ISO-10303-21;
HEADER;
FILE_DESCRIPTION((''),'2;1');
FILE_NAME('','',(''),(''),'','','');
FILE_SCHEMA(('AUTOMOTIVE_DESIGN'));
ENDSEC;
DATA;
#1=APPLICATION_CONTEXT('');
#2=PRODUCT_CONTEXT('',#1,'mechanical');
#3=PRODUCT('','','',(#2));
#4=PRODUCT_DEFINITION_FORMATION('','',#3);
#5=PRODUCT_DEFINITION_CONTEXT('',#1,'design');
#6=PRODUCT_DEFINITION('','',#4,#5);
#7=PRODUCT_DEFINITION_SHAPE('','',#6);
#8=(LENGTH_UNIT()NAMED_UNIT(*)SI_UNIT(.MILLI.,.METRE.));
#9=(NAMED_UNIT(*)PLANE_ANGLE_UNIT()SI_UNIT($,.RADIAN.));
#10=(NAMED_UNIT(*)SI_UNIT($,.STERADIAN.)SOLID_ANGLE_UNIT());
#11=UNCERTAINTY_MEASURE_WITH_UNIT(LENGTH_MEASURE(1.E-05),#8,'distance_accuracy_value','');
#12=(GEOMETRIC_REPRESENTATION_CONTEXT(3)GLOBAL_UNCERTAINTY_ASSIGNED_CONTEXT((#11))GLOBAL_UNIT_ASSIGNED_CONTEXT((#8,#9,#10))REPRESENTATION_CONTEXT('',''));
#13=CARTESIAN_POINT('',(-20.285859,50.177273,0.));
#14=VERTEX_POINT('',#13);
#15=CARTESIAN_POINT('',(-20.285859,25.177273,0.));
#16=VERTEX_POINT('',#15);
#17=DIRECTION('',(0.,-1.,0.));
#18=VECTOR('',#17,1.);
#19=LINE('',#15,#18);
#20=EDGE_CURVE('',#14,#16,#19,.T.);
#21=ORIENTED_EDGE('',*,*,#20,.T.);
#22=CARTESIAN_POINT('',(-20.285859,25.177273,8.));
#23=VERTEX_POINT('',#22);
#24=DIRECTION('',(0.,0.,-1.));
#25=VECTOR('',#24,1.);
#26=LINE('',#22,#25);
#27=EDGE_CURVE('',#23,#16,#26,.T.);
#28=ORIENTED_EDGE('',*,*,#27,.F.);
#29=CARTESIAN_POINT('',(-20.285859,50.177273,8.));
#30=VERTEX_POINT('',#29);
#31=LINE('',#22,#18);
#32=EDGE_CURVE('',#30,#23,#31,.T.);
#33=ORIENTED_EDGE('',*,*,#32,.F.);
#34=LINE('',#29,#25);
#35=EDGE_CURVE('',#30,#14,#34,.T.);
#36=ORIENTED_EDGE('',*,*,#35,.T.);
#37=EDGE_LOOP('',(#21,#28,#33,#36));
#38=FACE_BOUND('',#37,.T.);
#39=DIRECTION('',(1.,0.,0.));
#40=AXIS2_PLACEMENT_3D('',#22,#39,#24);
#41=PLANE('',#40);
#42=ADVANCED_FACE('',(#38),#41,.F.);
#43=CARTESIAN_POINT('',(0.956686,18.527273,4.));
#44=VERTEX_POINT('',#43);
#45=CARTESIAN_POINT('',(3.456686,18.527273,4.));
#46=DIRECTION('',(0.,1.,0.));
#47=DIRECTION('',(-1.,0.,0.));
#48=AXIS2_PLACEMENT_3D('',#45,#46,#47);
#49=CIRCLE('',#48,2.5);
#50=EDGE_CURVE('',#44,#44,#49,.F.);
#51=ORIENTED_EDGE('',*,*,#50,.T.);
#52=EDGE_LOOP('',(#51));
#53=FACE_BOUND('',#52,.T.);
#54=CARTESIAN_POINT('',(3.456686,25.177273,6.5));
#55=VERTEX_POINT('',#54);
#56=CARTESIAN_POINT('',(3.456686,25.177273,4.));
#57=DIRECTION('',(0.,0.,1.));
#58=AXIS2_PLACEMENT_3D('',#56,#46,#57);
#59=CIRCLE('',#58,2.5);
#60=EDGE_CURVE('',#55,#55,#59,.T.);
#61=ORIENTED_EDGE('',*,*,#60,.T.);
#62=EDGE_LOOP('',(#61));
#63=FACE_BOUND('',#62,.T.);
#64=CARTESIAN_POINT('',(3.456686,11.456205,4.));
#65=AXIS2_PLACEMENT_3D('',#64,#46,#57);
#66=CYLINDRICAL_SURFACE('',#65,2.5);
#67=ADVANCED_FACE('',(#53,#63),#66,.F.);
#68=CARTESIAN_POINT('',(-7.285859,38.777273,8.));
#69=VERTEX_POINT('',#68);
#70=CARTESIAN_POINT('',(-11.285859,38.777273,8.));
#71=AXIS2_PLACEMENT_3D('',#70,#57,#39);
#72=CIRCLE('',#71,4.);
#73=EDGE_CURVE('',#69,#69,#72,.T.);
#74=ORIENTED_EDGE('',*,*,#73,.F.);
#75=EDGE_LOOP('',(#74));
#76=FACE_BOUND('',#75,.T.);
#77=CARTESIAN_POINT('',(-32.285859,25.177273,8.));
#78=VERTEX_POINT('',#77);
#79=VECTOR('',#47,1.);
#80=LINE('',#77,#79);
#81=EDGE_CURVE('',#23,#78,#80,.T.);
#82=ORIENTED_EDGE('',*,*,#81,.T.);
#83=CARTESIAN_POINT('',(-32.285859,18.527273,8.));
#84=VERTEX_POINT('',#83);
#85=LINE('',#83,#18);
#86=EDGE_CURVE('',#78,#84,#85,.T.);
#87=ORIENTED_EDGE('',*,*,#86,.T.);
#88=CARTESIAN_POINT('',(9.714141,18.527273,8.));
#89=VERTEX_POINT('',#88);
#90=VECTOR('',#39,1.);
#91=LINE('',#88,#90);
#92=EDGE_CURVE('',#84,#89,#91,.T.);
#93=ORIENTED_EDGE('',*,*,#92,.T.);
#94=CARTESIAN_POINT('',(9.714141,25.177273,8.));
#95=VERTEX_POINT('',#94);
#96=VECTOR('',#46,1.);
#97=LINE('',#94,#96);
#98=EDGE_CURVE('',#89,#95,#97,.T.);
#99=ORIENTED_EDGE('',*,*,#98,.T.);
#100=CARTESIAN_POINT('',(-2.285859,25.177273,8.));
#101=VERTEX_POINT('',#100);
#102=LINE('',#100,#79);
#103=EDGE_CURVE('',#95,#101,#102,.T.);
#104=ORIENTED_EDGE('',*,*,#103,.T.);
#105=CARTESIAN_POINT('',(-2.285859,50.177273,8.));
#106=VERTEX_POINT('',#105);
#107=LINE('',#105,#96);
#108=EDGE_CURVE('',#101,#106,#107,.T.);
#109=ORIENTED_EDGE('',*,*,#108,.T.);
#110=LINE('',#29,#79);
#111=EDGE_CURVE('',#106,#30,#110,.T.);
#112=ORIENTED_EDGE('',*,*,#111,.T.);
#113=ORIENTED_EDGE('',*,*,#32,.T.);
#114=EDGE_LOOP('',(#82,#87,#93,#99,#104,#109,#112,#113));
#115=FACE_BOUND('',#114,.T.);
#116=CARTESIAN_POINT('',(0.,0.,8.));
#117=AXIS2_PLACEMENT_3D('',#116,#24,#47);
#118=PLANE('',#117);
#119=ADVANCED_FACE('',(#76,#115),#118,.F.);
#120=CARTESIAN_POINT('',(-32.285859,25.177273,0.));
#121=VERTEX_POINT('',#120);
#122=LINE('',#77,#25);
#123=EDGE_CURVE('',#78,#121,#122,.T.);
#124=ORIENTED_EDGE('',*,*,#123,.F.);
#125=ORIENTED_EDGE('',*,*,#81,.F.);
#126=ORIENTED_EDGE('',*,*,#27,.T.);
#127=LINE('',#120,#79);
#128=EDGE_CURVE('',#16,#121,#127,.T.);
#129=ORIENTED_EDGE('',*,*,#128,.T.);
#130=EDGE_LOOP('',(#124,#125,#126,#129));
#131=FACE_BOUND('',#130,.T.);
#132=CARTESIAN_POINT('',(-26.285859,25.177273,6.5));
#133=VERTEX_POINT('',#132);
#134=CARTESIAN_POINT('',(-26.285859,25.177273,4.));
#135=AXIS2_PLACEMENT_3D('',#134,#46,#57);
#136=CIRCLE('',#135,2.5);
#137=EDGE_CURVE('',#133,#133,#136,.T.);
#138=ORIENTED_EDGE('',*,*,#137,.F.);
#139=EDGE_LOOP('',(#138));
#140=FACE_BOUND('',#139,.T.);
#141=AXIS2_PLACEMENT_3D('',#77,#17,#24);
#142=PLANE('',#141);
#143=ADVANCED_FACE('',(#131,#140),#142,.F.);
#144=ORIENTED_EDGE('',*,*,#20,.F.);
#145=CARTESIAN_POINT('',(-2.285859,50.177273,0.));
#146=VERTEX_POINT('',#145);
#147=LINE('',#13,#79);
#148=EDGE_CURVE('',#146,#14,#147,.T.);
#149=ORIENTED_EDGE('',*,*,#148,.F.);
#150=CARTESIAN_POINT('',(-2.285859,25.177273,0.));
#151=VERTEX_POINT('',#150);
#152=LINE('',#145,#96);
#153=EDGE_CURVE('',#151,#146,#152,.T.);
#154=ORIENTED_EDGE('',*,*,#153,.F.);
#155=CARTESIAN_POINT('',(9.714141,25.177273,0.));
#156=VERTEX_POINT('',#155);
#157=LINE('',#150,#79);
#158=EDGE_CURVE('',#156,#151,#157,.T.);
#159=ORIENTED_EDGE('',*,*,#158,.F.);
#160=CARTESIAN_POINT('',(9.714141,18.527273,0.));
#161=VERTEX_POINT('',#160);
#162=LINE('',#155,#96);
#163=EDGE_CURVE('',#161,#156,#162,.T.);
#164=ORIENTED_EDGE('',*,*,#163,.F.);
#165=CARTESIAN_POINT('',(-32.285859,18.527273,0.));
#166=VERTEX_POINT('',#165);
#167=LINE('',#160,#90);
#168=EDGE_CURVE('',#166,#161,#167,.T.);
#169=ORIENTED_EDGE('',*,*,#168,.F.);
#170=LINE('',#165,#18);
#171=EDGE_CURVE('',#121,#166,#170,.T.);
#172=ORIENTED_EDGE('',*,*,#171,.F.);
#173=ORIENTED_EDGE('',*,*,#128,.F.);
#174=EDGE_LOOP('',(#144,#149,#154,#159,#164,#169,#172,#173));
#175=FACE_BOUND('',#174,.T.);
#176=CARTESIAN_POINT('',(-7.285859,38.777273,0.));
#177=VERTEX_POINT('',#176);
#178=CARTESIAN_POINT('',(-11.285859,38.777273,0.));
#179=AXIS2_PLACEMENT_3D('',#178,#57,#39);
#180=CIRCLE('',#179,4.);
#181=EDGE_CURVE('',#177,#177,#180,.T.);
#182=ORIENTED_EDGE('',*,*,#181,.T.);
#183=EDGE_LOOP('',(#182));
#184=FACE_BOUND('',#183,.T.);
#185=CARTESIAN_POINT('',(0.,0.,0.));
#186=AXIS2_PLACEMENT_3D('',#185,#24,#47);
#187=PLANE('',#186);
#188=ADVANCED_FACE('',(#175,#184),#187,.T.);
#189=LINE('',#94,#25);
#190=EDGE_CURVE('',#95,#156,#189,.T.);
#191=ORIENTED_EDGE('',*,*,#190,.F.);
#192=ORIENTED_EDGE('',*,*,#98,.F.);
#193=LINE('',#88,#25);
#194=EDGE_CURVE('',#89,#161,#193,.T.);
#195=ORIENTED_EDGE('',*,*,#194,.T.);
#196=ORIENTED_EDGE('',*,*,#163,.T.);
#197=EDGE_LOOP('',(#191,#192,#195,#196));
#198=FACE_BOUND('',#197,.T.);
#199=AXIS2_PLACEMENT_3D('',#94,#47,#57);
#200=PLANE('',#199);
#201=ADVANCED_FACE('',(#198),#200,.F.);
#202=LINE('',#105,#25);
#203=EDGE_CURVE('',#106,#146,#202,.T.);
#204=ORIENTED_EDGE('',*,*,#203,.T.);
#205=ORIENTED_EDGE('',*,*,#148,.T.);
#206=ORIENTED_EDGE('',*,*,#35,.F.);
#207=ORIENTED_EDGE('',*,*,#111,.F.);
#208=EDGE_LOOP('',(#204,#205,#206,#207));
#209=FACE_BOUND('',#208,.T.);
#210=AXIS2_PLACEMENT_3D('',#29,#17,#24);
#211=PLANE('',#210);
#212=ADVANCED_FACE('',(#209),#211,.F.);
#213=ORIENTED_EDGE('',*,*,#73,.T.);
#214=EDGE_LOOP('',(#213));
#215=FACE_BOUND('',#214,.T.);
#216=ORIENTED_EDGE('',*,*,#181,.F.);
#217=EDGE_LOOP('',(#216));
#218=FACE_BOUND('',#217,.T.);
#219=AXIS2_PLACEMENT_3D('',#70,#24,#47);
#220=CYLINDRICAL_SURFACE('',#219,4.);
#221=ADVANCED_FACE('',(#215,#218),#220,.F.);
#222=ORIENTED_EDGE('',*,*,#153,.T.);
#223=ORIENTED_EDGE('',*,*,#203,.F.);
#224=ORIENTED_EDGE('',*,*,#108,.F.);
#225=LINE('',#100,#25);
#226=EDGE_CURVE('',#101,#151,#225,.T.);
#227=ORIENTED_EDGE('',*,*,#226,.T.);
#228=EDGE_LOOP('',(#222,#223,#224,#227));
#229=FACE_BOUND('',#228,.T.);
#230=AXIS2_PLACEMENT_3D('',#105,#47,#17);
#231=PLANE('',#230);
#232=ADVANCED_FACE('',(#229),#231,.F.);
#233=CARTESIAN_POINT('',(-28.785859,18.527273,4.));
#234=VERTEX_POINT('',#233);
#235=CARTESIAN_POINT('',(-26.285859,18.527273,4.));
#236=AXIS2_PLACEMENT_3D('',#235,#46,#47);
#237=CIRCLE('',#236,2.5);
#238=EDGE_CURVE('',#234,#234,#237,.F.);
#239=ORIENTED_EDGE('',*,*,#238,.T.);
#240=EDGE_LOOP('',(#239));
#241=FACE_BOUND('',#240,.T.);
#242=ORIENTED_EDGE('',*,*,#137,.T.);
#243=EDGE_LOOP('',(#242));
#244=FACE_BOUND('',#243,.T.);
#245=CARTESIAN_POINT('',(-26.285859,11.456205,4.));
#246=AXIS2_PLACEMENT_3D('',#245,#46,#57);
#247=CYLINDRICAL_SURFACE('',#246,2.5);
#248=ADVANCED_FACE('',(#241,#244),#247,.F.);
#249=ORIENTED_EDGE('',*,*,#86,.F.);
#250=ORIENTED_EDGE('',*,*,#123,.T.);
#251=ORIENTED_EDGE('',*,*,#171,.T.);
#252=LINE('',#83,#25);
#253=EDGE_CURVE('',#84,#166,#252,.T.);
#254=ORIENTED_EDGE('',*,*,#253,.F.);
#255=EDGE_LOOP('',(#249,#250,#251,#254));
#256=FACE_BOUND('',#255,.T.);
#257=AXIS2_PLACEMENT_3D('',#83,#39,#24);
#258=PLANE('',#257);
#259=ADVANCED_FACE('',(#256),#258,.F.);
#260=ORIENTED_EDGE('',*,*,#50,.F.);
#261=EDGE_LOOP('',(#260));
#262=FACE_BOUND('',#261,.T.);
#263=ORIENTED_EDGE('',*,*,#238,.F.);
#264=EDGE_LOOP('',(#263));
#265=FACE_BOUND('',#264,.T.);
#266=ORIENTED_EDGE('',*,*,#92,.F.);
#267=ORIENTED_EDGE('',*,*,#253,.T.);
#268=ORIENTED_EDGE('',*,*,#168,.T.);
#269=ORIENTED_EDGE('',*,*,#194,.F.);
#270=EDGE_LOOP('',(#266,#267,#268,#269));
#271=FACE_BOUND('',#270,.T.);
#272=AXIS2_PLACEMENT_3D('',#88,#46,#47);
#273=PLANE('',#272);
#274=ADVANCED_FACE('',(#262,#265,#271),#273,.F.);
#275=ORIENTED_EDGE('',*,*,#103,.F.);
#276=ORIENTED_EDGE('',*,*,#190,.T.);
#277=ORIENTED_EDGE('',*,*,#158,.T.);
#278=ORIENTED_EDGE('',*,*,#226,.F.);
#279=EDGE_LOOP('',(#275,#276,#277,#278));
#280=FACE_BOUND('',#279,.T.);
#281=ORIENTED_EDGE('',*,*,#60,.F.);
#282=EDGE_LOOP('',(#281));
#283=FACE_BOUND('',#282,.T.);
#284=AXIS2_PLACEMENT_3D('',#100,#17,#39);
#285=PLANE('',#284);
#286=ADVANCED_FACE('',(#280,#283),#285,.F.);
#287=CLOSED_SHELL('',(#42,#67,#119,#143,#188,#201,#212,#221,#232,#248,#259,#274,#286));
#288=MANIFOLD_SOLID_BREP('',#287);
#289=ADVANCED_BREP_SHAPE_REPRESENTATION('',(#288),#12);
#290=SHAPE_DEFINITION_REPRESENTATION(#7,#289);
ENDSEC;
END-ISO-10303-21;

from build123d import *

# Parameters (mm, degrees)
SKETCH2_R           = 4
BOSS_EXTRUDE1_DEPTH = 8
SKETCH3_R           = 2.5
CUT_EXTRUDE1_DEPTH  = 6.65


with BuildPart() as part:
    # Sketch2 → Boss-Extrude1 (new body)
    with BuildSketch(Plane.XY):
        Polygon((-32.285858586, 18.527272727), (-32.285858586, 25.177272727), (-20.285858586, 25.177272727), (-20.285858586, 50.177272727), (-2.285858586, 50.177272727), (-2.285858586, 25.177272727), (9.714141414, 25.177272727), (9.714141414, 18.527272727), align=None)
        with Locations((-11.285858586, 38.777272727)):
            Circle(SKETCH2_R, mode=Mode.SUBTRACT)
    extrude(amount=BOSS_EXTRUDE1_DEPTH)

    # Sketch3 → Cut-Extrude1 (cut)
    with BuildSketch(Plane(origin=(0, 25.177272727, 0), x_dir=(1, 0, 0), z_dir=(0, 1, 0))):
        with Locations(Location((-26.285858586, -4, 0), (0, 0, 270))):
            Circle(SKETCH3_R)
        with Locations(Location((3.45668569, -4, 0), (0, 0, 270))):
            Circle(SKETCH3_R)
    extrude(amount=-CUT_EXTRUDE1_DEPTH, mode=Mode.SUBTRACT)


solid = part.part
